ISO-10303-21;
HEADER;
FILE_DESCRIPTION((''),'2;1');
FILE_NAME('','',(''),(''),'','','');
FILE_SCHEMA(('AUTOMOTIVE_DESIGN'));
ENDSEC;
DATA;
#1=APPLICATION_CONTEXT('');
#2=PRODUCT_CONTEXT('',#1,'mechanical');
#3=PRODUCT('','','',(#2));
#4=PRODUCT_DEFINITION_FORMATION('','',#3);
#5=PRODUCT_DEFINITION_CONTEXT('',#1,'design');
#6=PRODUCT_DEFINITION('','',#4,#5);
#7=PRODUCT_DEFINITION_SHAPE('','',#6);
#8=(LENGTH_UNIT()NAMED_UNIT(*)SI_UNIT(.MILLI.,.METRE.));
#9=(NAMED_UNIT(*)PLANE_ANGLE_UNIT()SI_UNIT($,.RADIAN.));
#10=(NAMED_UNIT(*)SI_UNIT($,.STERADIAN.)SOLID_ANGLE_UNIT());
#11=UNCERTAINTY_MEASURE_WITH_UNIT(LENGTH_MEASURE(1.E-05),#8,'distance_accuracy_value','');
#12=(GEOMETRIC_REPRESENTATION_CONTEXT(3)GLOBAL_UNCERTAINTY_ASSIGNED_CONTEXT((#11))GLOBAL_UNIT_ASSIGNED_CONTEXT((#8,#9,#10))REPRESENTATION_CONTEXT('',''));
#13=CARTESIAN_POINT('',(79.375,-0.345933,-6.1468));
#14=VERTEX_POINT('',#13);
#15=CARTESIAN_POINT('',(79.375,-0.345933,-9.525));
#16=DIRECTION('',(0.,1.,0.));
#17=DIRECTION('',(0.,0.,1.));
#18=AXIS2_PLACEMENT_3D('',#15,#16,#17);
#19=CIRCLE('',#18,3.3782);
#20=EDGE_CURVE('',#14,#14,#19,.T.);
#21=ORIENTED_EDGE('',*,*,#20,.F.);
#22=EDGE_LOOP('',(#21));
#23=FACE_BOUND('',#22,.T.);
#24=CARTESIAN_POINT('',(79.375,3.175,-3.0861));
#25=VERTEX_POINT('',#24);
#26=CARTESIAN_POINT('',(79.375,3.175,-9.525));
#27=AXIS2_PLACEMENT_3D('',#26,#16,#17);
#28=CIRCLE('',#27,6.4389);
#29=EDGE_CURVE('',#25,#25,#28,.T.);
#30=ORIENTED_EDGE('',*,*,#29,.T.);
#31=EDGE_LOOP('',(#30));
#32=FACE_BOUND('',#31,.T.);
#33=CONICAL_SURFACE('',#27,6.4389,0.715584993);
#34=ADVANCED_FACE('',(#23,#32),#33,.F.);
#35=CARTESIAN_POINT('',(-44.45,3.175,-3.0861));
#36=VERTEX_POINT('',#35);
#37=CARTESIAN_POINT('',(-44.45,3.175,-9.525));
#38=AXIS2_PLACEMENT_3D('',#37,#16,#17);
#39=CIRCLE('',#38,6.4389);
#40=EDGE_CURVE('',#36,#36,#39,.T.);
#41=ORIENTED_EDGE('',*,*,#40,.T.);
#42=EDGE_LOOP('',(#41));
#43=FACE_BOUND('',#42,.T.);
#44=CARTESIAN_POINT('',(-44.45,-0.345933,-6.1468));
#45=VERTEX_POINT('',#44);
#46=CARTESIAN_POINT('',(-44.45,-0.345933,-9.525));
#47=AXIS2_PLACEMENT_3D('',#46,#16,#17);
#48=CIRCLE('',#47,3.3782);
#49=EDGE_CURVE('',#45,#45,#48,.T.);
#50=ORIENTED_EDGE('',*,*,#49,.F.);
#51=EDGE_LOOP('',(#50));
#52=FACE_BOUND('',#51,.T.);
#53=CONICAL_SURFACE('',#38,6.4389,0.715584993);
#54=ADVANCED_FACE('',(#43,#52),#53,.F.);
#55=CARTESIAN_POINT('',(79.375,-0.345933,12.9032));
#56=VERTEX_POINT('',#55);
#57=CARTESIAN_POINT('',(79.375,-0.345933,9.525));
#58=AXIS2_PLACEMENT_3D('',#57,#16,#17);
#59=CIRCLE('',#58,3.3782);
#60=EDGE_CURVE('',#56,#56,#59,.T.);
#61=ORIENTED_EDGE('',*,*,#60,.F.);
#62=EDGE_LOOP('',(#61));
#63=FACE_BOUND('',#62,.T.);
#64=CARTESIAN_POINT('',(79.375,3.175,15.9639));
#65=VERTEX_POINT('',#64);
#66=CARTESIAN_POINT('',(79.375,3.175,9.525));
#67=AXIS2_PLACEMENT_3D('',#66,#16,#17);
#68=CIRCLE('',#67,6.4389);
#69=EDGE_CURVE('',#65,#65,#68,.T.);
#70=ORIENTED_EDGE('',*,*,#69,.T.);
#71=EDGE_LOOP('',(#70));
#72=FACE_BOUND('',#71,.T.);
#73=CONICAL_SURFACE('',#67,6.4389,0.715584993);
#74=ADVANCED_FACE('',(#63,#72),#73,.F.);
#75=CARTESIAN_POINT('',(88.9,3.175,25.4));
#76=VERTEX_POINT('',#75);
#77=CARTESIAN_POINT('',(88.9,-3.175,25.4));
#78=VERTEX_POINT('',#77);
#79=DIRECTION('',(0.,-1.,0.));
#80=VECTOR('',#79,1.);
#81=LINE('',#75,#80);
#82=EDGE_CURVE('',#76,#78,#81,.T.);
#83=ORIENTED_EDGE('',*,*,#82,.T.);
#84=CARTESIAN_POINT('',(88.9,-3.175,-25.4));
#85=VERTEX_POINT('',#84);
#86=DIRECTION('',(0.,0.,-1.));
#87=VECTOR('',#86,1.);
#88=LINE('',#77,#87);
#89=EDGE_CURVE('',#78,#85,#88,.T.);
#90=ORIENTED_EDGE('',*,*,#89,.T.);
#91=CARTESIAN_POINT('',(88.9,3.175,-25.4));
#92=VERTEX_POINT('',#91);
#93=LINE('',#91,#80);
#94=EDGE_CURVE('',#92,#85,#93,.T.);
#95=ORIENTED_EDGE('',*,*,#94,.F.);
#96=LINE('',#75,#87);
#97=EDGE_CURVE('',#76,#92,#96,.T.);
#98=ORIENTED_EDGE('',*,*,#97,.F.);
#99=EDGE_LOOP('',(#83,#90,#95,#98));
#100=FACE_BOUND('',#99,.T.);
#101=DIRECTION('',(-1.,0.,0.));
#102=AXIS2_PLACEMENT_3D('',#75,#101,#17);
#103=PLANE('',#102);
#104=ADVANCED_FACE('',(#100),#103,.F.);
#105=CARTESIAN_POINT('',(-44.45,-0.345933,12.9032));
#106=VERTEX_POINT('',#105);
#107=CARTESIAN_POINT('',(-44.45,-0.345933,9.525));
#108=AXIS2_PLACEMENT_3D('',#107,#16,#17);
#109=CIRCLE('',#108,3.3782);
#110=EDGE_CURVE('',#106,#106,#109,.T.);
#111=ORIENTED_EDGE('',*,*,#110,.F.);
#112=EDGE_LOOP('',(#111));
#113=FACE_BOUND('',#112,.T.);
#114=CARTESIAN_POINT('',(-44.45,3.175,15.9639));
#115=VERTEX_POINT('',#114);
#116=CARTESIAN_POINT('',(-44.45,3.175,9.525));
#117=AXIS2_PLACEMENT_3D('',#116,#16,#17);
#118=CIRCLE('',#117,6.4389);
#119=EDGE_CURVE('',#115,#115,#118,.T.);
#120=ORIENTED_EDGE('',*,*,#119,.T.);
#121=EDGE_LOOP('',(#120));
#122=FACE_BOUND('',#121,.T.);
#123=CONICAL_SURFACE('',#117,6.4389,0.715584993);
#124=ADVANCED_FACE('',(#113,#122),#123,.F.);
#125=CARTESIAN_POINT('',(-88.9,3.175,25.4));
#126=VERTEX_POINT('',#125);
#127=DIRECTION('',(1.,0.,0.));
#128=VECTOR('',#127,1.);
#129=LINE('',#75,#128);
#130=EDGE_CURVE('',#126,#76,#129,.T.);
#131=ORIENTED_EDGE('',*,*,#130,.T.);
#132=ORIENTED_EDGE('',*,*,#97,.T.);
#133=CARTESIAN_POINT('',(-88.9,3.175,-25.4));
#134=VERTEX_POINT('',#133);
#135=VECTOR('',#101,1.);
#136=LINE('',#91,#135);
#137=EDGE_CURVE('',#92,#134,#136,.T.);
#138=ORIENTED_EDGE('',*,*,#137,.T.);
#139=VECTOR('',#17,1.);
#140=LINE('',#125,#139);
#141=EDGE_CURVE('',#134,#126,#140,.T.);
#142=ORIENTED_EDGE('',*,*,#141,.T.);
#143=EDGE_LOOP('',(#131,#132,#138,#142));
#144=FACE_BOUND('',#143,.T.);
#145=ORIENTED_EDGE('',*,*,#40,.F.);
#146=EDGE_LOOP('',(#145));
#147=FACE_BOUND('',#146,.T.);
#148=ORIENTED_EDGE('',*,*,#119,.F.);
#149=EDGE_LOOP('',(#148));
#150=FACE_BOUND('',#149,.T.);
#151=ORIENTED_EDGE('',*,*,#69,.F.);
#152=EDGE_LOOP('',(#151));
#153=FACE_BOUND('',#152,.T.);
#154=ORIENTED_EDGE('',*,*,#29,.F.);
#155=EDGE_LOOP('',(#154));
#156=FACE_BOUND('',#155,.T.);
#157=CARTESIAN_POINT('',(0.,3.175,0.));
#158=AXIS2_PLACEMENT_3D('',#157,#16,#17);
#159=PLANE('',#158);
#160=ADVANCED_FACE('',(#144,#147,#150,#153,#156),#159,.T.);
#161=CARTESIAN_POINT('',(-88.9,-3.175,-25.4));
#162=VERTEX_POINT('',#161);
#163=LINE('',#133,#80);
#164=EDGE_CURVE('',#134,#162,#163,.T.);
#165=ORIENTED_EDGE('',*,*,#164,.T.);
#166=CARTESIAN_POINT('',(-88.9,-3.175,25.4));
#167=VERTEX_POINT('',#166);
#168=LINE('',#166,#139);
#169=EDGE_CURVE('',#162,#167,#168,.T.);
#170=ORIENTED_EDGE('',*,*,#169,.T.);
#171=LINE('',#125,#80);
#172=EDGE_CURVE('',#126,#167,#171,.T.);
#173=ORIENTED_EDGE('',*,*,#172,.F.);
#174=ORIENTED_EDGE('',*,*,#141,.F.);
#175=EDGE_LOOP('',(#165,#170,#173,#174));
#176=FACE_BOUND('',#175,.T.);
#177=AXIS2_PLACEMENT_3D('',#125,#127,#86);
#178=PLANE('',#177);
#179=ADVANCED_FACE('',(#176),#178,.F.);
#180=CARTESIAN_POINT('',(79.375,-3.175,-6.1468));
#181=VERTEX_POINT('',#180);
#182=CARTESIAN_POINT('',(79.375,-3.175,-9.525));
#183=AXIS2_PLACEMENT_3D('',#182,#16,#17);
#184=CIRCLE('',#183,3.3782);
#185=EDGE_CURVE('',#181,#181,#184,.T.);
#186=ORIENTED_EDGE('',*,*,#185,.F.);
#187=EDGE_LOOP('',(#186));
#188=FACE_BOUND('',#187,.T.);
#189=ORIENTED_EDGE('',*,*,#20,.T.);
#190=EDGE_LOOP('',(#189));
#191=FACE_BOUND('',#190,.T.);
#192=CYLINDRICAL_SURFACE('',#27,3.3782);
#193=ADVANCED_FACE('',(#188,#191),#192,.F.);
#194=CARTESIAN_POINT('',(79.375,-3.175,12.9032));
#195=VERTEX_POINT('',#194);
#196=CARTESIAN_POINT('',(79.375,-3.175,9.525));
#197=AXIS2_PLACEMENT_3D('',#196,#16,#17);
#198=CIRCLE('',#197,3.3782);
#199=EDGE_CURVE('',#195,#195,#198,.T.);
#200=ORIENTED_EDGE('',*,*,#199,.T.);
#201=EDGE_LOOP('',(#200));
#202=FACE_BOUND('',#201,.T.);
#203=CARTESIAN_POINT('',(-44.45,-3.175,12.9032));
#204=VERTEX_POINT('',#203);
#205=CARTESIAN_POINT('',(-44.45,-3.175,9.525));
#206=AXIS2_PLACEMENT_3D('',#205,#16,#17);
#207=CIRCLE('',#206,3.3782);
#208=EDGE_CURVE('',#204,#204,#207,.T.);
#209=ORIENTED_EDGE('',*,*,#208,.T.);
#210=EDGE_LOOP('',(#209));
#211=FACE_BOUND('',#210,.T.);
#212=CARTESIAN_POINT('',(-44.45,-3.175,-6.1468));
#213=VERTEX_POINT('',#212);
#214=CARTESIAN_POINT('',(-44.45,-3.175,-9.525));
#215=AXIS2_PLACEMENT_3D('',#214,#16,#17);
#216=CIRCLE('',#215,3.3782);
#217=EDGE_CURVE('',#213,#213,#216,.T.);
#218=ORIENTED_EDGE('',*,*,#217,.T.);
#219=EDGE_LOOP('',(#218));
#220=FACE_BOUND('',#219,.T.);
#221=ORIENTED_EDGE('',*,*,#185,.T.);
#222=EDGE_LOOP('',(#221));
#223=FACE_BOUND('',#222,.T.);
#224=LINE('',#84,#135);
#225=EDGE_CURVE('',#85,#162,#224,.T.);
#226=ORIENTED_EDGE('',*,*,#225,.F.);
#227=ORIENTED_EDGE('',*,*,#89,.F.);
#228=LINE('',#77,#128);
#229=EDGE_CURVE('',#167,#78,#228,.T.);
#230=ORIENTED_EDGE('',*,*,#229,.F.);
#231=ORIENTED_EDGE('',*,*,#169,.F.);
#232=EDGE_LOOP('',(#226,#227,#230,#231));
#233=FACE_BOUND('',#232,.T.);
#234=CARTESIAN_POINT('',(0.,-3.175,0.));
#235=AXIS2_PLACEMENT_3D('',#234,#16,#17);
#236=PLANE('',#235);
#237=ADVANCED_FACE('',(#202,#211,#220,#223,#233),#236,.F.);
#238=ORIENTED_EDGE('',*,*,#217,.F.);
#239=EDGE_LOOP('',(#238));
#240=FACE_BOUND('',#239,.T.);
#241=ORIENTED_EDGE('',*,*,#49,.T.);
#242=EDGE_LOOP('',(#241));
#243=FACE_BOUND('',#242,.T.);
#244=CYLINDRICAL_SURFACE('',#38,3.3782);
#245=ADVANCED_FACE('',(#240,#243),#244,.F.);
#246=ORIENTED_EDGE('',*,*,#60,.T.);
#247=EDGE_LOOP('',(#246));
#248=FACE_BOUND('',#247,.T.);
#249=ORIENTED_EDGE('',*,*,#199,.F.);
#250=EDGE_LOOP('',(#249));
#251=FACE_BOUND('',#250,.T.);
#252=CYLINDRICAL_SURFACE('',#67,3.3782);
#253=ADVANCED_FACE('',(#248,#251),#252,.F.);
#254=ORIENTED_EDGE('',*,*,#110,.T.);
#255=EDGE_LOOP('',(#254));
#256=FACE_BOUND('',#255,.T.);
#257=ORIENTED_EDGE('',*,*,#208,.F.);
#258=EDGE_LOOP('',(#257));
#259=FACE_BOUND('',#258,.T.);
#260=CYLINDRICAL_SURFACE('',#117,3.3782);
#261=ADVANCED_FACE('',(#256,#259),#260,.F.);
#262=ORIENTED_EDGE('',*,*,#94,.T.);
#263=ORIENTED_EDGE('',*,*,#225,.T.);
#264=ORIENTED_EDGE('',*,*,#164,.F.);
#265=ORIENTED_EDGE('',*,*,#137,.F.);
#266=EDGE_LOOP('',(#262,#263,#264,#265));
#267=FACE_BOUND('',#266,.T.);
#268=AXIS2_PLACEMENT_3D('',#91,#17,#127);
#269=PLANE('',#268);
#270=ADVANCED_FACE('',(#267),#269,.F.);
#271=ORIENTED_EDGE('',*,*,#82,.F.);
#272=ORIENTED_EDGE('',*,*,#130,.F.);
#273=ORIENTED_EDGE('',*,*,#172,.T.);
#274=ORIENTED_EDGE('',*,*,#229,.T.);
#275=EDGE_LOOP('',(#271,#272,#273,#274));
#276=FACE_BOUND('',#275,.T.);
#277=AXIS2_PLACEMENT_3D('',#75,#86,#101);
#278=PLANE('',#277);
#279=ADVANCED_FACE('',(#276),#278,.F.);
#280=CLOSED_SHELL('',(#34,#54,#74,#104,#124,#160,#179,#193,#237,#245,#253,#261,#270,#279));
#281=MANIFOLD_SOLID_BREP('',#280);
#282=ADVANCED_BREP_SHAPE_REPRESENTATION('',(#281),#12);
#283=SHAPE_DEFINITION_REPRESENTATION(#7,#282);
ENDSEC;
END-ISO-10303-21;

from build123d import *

# Parameters (mm, degrees)
SKETCH1_W                                        = 177.8
SKETCH1_H                                        = 50.8
BOSS_EXTRUDE1_DEPTH                              = 3.175
CSK_FOR_1_4_FLAT_HEAD_MACHINE_SCREW1_D           = 6.7564
CSK_FOR_1_4_FLAT_HEAD_MACHINE_SCREW1_DEPTH       = 19.05
CSK_FOR_1_4_FLAT_HEAD_MACHINE_SCREW1_CSINK_D     = 12.8778
CSK_FOR_1_4_FLAT_HEAD_MACHINE_SCREW1_CSINK_ANGLE = 82
CSK_FOR_1_4_FLAT_HEAD_MACHINE_SCREW1_TIP         = 2.029827343


with BuildPart() as part:
    # Sketch1 → Boss-Extrude1 (new, symmetric)
    with BuildSketch(Plane(origin=(0, 0, 0), x_dir=(1, 0, 0), z_dir=(0, 1, 0))):
        Rectangle(SKETCH1_W, SKETCH1_H)
    extrude(amount=BOSS_EXTRUDE1_DEPTH, both=True)

    # CSK for 1/4 Flat Head Machine Screw1
    with Locations(Plane(origin=(0, 3.175, 0), x_dir=(1, 0, 0), z_dir=(0, 1, 0))):
        with Locations((-44.45, 9.525), (-44.45, -9.525), (79.375, -9.525), (79.375, 9.525)):
            CounterSinkHole(CSK_FOR_1_4_FLAT_HEAD_MACHINE_SCREW1_D / 2, CSK_FOR_1_4_FLAT_HEAD_MACHINE_SCREW1_CSINK_D / 2, depth=CSK_FOR_1_4_FLAT_HEAD_MACHINE_SCREW1_DEPTH, counter_sink_angle=CSK_FOR_1_4_FLAT_HEAD_MACHINE_SCREW1_CSINK_ANGLE)
            with Locations((0, 0, -(CSK_FOR_1_4_FLAT_HEAD_MACHINE_SCREW1_DEPTH + CSK_FOR_1_4_FLAT_HEAD_MACHINE_SCREW1_TIP / 2))):  # 118° drill point
                Cone(0, CSK_FOR_1_4_FLAT_HEAD_MACHINE_SCREW1_D / 2, CSK_FOR_1_4_FLAT_HEAD_MACHINE_SCREW1_TIP, mode=Mode.SUBTRACT)


solid = part.part
